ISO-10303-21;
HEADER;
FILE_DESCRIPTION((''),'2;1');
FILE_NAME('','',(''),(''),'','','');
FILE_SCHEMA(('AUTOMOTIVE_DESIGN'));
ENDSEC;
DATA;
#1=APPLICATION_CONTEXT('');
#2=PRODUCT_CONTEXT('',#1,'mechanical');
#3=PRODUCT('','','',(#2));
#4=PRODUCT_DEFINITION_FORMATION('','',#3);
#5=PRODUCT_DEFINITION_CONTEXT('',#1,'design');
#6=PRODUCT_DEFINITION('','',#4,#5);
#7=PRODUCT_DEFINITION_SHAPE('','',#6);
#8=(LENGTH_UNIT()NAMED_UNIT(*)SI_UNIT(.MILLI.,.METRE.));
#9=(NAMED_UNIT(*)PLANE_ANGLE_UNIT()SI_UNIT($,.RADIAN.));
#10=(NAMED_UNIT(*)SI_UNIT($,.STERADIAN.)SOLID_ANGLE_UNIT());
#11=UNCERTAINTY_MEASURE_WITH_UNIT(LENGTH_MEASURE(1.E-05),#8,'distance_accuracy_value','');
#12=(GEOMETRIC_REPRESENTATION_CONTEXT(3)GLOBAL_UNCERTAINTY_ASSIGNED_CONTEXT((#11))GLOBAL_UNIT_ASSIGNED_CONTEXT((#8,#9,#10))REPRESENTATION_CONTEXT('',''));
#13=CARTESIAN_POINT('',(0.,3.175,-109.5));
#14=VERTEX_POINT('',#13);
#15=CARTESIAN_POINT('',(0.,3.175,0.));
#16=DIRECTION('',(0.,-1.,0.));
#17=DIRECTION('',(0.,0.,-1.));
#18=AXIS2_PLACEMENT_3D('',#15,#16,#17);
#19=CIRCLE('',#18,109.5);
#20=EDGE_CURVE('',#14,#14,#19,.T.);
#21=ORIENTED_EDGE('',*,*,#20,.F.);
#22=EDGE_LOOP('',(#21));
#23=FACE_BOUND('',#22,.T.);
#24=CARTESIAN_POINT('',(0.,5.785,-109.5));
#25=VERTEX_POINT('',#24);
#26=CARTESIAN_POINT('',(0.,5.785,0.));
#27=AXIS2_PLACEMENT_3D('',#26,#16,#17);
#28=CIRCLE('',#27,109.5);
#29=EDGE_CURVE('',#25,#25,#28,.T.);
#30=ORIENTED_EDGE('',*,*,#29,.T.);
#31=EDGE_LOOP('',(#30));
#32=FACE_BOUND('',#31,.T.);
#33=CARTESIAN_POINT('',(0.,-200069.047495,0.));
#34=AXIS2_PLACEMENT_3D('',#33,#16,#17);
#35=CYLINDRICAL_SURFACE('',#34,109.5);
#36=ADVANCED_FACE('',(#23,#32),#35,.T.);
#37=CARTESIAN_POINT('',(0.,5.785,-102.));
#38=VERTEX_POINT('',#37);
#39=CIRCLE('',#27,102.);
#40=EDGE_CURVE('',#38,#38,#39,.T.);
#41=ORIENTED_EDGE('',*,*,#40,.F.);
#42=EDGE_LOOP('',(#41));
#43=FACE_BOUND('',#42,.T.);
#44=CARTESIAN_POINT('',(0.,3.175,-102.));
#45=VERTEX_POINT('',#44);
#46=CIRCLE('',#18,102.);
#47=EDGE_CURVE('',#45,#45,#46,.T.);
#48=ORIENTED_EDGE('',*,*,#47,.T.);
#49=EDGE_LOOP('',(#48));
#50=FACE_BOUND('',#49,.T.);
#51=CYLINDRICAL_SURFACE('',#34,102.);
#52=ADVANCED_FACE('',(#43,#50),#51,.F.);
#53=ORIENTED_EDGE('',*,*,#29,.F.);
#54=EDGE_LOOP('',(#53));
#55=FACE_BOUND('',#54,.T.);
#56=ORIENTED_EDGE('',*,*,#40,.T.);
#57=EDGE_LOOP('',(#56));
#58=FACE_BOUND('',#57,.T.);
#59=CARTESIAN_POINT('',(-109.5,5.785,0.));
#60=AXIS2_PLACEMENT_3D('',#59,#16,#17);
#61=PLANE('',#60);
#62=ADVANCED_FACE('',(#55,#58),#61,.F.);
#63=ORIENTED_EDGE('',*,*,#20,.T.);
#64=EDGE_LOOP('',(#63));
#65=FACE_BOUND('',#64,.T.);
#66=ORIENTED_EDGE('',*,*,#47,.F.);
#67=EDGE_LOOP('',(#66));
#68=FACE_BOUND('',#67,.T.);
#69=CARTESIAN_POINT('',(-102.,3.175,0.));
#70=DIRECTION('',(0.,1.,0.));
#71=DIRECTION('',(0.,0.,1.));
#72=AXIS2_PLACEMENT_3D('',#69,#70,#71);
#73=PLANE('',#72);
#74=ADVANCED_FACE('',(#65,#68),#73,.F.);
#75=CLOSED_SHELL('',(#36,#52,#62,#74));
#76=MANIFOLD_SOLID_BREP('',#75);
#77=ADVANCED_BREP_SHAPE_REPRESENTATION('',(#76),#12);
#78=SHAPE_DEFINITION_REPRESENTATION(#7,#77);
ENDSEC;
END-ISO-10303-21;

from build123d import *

# Parameters (mm, degrees)
SKETCH1_W = 7.5
SKETCH1_H = 2.61


with BuildPart() as part:
    # Sketch1 → Revolve1 (revolve)
    with BuildSketch(Plane.XY, mode=Mode.PRIVATE) as revolve1_sk:
        with Locations((-105.75, 4.48)):
            Rectangle(SKETCH1_W, SKETCH1_H)
    revolve(revolve1_sk.sketch.rotate(Axis((0, -200069.047495165, 0), (0, 1, 0)), 270), axis=Axis((0, -200069.047495165, 0), (0, 1, 0)))


solid = part.part
